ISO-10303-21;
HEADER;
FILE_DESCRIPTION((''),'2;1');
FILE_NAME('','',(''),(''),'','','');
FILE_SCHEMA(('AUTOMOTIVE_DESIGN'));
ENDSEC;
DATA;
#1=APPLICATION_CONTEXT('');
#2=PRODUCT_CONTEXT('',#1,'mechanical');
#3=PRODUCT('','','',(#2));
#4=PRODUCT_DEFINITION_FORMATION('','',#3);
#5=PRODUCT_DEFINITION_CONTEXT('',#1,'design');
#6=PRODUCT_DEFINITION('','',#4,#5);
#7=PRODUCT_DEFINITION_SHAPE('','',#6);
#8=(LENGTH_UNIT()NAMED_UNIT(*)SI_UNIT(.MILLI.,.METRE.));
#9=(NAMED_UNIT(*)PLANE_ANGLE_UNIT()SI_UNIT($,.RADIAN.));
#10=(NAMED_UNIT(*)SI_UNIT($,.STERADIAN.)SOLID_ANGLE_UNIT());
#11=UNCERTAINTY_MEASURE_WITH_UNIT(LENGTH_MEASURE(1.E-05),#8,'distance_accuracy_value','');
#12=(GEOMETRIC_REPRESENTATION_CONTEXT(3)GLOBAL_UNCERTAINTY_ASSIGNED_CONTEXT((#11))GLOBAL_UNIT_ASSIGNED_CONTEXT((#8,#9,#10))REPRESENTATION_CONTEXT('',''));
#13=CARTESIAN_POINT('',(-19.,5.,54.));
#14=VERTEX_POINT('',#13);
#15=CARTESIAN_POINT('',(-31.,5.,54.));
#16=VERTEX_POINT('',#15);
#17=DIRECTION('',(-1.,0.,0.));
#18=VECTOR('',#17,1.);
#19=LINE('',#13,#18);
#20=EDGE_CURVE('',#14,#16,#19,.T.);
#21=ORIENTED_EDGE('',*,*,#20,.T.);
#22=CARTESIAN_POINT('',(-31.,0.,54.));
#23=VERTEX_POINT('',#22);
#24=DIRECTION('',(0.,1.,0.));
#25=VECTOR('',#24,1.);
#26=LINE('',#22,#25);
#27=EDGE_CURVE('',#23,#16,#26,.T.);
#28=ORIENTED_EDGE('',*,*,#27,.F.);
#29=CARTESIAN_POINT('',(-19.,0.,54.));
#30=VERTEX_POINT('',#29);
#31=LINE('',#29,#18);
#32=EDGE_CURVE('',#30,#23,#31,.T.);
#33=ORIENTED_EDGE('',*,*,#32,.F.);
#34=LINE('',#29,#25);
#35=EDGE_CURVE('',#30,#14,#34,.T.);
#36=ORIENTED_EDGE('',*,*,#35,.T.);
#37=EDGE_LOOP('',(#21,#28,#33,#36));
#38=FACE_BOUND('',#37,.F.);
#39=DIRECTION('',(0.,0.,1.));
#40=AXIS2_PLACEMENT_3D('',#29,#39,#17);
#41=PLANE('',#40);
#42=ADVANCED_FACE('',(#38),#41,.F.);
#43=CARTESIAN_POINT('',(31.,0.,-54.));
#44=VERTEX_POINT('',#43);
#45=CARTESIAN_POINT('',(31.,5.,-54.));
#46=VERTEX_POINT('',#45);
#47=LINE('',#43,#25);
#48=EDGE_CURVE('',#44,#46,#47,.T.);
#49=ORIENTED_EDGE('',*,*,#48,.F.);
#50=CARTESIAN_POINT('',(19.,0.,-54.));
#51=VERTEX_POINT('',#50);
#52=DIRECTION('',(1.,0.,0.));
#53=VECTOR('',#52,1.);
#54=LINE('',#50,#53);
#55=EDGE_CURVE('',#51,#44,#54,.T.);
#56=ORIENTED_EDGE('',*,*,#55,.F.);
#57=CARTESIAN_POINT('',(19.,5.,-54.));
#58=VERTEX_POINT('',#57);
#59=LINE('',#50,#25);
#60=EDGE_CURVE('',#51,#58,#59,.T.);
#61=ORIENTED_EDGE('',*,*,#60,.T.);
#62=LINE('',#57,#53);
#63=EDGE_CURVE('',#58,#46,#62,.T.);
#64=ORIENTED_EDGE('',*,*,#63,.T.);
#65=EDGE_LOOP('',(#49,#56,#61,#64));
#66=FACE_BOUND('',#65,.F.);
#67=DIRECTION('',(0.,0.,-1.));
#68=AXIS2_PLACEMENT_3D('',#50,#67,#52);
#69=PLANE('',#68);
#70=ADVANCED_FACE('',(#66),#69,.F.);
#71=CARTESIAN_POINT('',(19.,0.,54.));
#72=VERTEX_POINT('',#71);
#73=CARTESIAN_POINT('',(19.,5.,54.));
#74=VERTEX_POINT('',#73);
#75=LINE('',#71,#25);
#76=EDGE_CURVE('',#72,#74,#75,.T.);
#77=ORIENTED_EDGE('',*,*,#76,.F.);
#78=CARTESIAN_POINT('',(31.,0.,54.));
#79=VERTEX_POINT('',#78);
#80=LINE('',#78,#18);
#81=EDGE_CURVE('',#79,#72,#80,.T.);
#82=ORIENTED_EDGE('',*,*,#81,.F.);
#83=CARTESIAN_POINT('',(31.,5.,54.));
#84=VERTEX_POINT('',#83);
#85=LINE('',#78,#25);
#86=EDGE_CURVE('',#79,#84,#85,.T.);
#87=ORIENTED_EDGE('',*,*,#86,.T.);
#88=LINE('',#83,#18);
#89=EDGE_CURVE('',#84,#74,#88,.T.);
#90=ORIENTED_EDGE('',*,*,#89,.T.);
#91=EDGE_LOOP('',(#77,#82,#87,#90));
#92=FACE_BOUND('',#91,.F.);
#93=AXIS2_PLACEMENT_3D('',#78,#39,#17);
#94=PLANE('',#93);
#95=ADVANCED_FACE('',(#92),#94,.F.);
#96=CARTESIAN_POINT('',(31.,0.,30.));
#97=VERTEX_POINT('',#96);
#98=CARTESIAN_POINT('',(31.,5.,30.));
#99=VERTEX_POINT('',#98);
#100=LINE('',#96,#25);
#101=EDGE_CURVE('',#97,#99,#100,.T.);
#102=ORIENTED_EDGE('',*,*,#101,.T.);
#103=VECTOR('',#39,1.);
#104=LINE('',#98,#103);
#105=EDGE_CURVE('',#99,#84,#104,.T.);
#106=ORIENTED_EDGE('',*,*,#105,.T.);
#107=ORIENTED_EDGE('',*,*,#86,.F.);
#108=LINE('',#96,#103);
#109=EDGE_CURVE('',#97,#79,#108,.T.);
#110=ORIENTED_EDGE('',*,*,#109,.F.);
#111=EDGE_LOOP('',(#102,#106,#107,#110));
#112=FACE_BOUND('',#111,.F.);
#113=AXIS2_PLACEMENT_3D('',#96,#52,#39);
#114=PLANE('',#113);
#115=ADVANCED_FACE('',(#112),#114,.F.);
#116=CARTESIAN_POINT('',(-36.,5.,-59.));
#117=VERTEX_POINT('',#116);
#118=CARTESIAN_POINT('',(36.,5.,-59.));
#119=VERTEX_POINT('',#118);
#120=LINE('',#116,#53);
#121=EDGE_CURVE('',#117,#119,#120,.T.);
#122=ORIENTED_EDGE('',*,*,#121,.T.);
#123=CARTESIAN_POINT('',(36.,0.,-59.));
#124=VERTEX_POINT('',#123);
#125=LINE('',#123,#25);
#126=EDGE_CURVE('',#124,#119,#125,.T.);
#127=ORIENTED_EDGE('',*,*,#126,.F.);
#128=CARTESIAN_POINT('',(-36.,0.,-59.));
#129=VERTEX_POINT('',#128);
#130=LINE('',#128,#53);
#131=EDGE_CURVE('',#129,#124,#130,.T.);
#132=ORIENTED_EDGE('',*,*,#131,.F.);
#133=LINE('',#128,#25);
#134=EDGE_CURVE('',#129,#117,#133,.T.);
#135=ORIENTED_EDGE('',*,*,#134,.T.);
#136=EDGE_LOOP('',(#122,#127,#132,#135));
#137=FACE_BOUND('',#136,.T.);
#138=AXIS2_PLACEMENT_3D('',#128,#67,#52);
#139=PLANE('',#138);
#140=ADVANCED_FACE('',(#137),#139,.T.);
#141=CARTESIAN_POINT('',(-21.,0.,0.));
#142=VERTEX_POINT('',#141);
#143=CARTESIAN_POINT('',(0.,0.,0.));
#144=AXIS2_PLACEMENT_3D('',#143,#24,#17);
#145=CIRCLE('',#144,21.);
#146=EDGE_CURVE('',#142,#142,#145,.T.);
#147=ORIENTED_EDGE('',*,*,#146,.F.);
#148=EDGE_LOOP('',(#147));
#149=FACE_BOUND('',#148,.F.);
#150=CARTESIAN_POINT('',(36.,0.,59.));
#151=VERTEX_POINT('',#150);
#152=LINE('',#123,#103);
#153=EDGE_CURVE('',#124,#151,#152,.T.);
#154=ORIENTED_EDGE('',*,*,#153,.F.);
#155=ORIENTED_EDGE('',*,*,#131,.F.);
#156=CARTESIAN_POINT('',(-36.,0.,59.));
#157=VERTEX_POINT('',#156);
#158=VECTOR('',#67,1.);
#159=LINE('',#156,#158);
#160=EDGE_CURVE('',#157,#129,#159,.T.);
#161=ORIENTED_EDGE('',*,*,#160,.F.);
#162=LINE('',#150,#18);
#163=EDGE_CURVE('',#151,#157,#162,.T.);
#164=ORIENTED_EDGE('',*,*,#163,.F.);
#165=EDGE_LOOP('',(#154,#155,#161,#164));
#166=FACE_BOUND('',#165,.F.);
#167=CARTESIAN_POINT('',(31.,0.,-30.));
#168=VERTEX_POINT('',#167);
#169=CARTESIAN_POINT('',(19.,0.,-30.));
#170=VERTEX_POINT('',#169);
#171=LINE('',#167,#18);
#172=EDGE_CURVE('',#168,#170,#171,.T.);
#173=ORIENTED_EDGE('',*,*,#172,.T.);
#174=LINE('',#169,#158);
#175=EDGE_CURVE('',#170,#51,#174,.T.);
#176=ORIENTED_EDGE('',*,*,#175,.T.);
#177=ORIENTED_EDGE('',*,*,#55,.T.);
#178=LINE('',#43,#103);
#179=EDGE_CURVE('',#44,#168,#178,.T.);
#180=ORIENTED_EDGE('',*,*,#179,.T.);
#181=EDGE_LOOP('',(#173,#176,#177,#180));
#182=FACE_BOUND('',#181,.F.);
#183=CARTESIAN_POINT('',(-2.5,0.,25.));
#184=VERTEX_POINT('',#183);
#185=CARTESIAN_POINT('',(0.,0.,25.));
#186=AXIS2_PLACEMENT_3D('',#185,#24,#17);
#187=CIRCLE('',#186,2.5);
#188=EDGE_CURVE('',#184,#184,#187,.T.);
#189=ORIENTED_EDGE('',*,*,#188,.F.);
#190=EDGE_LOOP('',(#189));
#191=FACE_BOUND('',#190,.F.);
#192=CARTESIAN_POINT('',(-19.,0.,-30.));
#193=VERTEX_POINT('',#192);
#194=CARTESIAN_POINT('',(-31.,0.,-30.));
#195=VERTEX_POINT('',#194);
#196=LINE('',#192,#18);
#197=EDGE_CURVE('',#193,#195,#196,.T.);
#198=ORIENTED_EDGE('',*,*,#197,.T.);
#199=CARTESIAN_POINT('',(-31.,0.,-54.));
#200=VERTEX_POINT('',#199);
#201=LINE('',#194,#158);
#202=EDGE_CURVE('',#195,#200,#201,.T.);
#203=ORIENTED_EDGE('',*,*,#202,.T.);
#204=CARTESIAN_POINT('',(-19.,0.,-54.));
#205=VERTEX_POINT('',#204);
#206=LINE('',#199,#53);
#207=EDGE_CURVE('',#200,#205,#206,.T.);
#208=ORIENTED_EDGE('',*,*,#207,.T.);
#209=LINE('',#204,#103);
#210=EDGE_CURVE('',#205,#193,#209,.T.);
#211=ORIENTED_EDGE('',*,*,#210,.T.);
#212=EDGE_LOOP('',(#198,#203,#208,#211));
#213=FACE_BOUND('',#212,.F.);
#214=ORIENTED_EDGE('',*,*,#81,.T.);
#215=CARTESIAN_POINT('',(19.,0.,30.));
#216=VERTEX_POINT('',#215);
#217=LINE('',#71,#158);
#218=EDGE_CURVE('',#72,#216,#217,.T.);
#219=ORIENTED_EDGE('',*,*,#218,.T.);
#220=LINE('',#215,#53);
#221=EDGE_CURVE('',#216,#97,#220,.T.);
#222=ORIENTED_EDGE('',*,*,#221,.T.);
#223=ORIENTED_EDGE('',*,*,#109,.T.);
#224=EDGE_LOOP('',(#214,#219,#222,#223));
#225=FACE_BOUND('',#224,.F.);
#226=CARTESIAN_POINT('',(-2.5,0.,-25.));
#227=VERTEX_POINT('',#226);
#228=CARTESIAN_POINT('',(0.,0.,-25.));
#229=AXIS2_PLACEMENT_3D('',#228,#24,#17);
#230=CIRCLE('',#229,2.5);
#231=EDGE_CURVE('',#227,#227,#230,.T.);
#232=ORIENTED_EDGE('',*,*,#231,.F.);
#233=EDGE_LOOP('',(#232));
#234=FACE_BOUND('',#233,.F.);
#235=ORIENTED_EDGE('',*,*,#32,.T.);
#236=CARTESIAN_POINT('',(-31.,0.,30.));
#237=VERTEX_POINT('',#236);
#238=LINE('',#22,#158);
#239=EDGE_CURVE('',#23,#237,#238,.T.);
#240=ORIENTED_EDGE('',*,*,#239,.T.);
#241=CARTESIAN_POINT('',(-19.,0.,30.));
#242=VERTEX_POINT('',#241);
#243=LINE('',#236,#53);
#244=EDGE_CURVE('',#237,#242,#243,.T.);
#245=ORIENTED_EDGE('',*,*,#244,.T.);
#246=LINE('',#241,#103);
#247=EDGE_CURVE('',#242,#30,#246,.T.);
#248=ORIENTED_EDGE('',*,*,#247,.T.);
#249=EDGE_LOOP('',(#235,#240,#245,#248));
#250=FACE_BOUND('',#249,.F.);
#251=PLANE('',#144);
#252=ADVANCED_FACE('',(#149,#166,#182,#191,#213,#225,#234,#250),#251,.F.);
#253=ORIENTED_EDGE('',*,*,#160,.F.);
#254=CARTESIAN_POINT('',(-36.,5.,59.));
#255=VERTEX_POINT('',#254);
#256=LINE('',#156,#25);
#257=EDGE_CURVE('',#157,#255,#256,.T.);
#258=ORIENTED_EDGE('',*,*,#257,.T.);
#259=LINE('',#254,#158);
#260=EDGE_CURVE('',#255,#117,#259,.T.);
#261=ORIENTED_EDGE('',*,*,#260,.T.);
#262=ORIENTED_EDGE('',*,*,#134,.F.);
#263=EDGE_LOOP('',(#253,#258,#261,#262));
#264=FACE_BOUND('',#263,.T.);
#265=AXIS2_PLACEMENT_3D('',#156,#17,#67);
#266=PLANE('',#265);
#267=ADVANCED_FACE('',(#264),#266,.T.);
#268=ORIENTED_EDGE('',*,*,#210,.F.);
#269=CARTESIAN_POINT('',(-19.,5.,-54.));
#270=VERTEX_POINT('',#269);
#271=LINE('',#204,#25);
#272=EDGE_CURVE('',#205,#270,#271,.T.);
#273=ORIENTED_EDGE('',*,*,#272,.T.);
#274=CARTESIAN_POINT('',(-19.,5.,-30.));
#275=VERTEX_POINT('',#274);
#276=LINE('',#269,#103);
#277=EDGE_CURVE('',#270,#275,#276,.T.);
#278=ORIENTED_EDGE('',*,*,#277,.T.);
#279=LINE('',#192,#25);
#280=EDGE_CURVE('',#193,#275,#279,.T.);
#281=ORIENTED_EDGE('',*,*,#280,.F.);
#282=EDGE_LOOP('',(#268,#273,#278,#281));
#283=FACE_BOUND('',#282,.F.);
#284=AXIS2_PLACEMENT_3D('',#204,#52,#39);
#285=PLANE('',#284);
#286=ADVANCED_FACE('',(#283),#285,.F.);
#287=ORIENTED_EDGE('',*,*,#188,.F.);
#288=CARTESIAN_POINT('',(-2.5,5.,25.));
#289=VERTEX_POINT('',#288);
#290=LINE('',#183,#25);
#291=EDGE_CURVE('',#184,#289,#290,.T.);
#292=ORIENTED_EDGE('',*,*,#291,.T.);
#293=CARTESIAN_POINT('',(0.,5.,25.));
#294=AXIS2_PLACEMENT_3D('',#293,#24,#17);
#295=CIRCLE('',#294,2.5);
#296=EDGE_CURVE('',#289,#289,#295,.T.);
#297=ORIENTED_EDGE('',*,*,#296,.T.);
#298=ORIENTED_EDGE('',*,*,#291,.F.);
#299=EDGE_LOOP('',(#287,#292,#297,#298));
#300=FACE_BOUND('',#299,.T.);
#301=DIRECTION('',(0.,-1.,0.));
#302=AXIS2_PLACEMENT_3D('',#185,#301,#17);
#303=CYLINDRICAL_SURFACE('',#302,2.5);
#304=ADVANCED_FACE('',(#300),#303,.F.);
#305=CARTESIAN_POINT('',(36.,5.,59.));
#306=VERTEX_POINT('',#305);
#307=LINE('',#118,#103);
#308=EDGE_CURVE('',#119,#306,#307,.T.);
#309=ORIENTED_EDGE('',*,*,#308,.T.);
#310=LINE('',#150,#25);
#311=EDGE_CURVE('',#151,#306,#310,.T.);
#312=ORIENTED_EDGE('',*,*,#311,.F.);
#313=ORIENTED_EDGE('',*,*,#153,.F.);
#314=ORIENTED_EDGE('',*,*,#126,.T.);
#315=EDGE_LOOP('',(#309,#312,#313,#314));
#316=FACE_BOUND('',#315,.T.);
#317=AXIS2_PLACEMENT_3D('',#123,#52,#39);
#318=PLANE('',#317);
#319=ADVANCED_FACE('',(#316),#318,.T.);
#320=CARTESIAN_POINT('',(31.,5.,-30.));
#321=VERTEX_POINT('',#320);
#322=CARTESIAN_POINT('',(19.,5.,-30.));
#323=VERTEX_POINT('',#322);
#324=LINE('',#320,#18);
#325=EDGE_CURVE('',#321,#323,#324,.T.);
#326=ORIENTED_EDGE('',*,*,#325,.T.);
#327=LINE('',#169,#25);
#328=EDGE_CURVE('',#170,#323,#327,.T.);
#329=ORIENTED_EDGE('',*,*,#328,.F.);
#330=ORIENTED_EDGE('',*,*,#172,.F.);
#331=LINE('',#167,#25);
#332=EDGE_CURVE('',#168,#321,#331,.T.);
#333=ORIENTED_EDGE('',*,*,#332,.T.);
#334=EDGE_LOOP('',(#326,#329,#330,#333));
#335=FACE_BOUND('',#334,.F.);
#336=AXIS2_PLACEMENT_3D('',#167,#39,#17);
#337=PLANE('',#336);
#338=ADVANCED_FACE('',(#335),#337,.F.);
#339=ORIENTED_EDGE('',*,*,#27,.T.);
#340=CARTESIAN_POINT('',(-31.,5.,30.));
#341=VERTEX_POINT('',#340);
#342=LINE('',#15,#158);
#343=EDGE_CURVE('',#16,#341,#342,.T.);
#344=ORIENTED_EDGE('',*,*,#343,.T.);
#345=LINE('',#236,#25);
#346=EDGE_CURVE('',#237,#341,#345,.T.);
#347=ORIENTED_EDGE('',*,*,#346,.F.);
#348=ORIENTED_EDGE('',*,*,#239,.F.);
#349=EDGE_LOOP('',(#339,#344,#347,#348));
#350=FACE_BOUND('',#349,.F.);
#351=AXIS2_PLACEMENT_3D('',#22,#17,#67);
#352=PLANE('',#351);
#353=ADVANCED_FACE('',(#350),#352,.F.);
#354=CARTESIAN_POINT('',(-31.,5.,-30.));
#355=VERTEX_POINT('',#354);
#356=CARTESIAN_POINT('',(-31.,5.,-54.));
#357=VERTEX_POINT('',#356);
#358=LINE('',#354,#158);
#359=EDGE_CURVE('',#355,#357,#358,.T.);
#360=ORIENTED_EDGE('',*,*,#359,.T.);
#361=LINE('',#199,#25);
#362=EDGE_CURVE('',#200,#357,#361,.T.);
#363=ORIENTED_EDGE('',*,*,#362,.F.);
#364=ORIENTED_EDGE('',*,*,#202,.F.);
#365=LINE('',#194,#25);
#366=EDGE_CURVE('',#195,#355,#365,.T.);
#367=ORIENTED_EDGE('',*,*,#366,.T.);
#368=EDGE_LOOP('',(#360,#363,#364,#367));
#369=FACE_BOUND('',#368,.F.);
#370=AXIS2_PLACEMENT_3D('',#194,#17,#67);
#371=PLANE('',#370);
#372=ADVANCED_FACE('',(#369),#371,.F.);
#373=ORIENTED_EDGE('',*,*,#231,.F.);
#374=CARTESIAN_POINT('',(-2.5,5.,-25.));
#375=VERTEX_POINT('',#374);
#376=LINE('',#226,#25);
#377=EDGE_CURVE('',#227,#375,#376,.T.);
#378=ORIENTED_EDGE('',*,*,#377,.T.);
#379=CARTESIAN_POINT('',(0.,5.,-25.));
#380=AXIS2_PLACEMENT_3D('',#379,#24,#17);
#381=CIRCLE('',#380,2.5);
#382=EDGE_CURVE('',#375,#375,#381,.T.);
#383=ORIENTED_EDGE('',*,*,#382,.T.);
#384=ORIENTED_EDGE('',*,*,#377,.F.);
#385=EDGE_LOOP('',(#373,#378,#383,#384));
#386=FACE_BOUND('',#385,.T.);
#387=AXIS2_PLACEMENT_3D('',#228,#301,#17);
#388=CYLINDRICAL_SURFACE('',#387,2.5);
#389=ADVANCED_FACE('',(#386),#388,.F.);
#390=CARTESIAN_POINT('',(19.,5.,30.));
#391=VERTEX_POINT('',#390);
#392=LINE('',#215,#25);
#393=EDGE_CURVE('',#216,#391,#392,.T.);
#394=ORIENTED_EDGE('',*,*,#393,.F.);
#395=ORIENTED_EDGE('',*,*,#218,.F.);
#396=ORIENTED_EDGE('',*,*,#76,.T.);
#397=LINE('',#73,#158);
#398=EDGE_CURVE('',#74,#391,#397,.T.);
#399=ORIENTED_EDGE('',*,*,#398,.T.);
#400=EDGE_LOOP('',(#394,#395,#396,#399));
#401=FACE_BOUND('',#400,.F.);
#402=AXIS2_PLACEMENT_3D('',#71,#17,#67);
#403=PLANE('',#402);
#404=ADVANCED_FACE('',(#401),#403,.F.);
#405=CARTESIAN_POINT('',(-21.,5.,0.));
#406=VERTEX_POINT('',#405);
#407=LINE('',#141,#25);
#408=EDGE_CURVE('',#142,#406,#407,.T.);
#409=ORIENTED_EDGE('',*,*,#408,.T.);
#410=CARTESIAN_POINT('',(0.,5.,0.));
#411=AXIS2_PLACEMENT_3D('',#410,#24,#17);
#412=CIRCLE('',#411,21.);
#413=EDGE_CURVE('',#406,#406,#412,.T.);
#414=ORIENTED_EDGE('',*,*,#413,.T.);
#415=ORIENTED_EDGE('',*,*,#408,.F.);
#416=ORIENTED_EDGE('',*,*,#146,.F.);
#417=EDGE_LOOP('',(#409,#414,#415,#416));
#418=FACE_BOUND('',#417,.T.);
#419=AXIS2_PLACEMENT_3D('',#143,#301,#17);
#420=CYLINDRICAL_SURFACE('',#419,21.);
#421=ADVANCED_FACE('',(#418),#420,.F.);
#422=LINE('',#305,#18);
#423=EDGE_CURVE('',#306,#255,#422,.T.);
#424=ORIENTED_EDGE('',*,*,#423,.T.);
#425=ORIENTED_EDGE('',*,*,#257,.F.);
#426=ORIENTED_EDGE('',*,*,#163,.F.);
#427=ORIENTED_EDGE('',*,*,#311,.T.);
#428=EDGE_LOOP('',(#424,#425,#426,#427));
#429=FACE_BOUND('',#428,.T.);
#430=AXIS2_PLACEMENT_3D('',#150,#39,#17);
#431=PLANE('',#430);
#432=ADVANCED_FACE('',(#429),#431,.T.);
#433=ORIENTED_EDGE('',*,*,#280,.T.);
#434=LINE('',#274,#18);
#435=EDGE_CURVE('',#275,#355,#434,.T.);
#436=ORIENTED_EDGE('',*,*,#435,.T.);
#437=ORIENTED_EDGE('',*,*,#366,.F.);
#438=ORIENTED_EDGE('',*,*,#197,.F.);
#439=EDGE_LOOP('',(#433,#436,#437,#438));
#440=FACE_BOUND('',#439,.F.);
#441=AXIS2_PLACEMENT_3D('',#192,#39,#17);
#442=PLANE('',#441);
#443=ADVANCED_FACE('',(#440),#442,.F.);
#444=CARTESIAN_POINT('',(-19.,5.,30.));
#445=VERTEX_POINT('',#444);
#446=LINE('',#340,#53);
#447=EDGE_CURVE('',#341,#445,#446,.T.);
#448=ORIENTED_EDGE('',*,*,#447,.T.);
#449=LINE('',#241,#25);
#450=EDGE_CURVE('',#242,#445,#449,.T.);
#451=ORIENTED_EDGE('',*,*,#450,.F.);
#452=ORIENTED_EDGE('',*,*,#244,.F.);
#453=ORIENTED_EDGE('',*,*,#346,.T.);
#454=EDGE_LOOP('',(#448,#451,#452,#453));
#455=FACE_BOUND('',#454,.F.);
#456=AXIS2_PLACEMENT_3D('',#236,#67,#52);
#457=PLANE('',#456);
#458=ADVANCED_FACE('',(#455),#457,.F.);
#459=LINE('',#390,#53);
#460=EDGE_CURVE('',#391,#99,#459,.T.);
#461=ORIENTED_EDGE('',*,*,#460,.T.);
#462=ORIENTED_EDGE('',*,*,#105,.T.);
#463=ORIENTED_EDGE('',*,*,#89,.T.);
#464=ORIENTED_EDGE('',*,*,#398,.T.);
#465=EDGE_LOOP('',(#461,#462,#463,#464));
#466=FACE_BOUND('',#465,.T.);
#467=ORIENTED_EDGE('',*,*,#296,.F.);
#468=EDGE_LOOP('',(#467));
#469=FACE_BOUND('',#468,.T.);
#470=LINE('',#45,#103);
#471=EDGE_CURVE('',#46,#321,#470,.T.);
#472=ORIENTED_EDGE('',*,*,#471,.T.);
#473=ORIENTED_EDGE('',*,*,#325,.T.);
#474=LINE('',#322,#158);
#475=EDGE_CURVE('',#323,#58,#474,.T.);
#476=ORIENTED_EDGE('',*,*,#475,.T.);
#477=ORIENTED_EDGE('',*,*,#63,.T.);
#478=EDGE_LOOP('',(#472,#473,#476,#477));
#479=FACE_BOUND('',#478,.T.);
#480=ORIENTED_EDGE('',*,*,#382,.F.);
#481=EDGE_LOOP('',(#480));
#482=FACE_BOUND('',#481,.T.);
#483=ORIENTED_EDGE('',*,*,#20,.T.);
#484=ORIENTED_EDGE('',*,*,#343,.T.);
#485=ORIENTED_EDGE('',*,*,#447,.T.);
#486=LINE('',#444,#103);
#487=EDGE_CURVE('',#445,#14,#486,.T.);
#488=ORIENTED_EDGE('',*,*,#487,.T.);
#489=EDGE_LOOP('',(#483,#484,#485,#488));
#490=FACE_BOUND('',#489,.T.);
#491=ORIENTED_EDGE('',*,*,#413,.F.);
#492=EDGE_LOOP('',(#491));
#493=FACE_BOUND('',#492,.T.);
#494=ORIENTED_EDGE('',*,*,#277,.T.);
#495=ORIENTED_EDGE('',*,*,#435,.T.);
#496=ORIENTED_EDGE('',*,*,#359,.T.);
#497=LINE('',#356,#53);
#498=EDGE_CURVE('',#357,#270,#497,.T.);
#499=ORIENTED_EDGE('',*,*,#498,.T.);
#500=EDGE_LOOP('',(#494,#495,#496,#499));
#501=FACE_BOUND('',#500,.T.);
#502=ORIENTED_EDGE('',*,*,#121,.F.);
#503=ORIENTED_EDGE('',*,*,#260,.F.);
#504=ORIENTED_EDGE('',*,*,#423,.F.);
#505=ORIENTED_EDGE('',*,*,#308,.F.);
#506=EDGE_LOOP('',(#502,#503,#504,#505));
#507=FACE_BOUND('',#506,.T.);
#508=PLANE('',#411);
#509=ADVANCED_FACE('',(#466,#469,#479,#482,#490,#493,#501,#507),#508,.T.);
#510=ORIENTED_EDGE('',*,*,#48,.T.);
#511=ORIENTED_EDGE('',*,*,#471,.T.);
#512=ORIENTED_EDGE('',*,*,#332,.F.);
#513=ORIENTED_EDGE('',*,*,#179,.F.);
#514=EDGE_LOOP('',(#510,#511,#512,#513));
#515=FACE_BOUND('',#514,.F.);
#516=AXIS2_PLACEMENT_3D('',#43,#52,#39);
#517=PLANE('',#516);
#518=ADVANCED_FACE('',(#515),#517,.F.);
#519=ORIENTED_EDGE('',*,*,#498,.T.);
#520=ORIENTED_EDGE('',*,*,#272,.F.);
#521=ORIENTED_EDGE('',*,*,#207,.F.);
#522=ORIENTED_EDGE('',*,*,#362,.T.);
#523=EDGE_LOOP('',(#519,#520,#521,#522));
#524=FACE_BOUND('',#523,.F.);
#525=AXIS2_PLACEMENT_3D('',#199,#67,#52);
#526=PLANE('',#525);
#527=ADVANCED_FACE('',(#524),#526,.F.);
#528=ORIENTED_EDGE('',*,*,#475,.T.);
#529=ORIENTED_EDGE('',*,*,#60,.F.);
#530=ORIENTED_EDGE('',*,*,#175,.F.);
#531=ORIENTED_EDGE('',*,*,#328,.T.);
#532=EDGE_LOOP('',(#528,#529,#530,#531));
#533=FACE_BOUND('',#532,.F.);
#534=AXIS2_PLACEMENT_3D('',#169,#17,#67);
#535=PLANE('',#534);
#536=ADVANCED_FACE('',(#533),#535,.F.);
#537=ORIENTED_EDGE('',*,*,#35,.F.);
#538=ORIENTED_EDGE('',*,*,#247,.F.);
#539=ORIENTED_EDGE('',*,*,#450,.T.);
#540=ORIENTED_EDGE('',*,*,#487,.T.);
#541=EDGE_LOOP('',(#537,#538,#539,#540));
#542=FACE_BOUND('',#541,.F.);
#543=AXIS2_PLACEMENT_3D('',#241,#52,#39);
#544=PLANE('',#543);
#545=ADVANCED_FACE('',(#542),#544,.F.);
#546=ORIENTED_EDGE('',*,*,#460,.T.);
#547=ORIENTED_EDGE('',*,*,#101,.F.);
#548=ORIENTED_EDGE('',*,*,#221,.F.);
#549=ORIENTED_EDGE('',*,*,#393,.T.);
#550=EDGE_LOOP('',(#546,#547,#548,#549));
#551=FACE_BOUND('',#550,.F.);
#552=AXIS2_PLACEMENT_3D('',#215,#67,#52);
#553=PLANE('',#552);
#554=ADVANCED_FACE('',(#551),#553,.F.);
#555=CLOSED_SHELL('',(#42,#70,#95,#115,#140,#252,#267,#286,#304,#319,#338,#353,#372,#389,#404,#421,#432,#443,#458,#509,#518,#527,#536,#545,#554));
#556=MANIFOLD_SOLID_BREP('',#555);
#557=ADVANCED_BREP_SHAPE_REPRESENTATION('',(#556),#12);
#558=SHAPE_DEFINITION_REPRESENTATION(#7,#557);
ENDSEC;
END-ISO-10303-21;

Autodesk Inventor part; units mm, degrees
ref_plane "YZ Plane" through (0, 0, 0) normal (1, 0, 0) x (0, 1, 0)
ref_plane "XZ Plane" through (0, 0, 0) normal (0, 1, 0) x (-1, 0, 0)
ref_plane "XY Plane" through (0, 0, 0) normal (0, 0, 1) x (1, 0, 0)
sketch "Sketch1" plane through (0, 0, 0) normal (0, 1, 0) x (-1, 0, 0)
  circle A0 centre (0, 0) radius 21
  circle A1 centre (0, 25) radius 2.5
  circle A2 centre (0, -25) radius 2.5
  line L0 (-31, 54) -> (-19, 54)
  line L1 (-19, 54) -> (-19, 30)
  line L2 (-19, 30) -> (-31, 30)
  line L3 (-31, 30) -> (-31, 54)
  line L4 (19, 54) -> (31, 54)
  line L5 (31, 54) -> (31, 30)
  line L6 (31, 30) -> (19, 30)
  line L7 (19, 30) -> (19, 54)
  line L8 (-31, -30) -> (-19, -30)
  line L9 (-19, -30) -> (-19, -54)
  line L10 (-19, -54) -> (-31, -54)
  line L11 (-31, -54) -> (-31, -30)
  line L12 (19, -30) -> (31, -30)
  line L13 (31, -30) -> (31, -54)
  line L14 (31, -54) -> (19, -54)
  line L15 (19, -54) -> (19, -30)
  line L16 (-36, 59) -> (36, 59)
  line L17 (36, 59) -> (36, -59)
  line L18 (36, -59) -> (-36, -59)
  line L19 (-36, -59) -> (-36, 59)
  dimension "d2" = 5
  dimension "d4" = 5
  dimension "d9" = 12
  dimension "d10" = 24
  dimension "d11" = 12
  dimension "d12" = 24
  dimension "d13" = 12
  dimension "d14" = 24
  dimension "d15" = 12
  dimension "d16" = 24
extrude "Extrusion1" add sketch "Sketch1" along normal blind 5
properties part number "X_Carriage_V1" material "Ash"
